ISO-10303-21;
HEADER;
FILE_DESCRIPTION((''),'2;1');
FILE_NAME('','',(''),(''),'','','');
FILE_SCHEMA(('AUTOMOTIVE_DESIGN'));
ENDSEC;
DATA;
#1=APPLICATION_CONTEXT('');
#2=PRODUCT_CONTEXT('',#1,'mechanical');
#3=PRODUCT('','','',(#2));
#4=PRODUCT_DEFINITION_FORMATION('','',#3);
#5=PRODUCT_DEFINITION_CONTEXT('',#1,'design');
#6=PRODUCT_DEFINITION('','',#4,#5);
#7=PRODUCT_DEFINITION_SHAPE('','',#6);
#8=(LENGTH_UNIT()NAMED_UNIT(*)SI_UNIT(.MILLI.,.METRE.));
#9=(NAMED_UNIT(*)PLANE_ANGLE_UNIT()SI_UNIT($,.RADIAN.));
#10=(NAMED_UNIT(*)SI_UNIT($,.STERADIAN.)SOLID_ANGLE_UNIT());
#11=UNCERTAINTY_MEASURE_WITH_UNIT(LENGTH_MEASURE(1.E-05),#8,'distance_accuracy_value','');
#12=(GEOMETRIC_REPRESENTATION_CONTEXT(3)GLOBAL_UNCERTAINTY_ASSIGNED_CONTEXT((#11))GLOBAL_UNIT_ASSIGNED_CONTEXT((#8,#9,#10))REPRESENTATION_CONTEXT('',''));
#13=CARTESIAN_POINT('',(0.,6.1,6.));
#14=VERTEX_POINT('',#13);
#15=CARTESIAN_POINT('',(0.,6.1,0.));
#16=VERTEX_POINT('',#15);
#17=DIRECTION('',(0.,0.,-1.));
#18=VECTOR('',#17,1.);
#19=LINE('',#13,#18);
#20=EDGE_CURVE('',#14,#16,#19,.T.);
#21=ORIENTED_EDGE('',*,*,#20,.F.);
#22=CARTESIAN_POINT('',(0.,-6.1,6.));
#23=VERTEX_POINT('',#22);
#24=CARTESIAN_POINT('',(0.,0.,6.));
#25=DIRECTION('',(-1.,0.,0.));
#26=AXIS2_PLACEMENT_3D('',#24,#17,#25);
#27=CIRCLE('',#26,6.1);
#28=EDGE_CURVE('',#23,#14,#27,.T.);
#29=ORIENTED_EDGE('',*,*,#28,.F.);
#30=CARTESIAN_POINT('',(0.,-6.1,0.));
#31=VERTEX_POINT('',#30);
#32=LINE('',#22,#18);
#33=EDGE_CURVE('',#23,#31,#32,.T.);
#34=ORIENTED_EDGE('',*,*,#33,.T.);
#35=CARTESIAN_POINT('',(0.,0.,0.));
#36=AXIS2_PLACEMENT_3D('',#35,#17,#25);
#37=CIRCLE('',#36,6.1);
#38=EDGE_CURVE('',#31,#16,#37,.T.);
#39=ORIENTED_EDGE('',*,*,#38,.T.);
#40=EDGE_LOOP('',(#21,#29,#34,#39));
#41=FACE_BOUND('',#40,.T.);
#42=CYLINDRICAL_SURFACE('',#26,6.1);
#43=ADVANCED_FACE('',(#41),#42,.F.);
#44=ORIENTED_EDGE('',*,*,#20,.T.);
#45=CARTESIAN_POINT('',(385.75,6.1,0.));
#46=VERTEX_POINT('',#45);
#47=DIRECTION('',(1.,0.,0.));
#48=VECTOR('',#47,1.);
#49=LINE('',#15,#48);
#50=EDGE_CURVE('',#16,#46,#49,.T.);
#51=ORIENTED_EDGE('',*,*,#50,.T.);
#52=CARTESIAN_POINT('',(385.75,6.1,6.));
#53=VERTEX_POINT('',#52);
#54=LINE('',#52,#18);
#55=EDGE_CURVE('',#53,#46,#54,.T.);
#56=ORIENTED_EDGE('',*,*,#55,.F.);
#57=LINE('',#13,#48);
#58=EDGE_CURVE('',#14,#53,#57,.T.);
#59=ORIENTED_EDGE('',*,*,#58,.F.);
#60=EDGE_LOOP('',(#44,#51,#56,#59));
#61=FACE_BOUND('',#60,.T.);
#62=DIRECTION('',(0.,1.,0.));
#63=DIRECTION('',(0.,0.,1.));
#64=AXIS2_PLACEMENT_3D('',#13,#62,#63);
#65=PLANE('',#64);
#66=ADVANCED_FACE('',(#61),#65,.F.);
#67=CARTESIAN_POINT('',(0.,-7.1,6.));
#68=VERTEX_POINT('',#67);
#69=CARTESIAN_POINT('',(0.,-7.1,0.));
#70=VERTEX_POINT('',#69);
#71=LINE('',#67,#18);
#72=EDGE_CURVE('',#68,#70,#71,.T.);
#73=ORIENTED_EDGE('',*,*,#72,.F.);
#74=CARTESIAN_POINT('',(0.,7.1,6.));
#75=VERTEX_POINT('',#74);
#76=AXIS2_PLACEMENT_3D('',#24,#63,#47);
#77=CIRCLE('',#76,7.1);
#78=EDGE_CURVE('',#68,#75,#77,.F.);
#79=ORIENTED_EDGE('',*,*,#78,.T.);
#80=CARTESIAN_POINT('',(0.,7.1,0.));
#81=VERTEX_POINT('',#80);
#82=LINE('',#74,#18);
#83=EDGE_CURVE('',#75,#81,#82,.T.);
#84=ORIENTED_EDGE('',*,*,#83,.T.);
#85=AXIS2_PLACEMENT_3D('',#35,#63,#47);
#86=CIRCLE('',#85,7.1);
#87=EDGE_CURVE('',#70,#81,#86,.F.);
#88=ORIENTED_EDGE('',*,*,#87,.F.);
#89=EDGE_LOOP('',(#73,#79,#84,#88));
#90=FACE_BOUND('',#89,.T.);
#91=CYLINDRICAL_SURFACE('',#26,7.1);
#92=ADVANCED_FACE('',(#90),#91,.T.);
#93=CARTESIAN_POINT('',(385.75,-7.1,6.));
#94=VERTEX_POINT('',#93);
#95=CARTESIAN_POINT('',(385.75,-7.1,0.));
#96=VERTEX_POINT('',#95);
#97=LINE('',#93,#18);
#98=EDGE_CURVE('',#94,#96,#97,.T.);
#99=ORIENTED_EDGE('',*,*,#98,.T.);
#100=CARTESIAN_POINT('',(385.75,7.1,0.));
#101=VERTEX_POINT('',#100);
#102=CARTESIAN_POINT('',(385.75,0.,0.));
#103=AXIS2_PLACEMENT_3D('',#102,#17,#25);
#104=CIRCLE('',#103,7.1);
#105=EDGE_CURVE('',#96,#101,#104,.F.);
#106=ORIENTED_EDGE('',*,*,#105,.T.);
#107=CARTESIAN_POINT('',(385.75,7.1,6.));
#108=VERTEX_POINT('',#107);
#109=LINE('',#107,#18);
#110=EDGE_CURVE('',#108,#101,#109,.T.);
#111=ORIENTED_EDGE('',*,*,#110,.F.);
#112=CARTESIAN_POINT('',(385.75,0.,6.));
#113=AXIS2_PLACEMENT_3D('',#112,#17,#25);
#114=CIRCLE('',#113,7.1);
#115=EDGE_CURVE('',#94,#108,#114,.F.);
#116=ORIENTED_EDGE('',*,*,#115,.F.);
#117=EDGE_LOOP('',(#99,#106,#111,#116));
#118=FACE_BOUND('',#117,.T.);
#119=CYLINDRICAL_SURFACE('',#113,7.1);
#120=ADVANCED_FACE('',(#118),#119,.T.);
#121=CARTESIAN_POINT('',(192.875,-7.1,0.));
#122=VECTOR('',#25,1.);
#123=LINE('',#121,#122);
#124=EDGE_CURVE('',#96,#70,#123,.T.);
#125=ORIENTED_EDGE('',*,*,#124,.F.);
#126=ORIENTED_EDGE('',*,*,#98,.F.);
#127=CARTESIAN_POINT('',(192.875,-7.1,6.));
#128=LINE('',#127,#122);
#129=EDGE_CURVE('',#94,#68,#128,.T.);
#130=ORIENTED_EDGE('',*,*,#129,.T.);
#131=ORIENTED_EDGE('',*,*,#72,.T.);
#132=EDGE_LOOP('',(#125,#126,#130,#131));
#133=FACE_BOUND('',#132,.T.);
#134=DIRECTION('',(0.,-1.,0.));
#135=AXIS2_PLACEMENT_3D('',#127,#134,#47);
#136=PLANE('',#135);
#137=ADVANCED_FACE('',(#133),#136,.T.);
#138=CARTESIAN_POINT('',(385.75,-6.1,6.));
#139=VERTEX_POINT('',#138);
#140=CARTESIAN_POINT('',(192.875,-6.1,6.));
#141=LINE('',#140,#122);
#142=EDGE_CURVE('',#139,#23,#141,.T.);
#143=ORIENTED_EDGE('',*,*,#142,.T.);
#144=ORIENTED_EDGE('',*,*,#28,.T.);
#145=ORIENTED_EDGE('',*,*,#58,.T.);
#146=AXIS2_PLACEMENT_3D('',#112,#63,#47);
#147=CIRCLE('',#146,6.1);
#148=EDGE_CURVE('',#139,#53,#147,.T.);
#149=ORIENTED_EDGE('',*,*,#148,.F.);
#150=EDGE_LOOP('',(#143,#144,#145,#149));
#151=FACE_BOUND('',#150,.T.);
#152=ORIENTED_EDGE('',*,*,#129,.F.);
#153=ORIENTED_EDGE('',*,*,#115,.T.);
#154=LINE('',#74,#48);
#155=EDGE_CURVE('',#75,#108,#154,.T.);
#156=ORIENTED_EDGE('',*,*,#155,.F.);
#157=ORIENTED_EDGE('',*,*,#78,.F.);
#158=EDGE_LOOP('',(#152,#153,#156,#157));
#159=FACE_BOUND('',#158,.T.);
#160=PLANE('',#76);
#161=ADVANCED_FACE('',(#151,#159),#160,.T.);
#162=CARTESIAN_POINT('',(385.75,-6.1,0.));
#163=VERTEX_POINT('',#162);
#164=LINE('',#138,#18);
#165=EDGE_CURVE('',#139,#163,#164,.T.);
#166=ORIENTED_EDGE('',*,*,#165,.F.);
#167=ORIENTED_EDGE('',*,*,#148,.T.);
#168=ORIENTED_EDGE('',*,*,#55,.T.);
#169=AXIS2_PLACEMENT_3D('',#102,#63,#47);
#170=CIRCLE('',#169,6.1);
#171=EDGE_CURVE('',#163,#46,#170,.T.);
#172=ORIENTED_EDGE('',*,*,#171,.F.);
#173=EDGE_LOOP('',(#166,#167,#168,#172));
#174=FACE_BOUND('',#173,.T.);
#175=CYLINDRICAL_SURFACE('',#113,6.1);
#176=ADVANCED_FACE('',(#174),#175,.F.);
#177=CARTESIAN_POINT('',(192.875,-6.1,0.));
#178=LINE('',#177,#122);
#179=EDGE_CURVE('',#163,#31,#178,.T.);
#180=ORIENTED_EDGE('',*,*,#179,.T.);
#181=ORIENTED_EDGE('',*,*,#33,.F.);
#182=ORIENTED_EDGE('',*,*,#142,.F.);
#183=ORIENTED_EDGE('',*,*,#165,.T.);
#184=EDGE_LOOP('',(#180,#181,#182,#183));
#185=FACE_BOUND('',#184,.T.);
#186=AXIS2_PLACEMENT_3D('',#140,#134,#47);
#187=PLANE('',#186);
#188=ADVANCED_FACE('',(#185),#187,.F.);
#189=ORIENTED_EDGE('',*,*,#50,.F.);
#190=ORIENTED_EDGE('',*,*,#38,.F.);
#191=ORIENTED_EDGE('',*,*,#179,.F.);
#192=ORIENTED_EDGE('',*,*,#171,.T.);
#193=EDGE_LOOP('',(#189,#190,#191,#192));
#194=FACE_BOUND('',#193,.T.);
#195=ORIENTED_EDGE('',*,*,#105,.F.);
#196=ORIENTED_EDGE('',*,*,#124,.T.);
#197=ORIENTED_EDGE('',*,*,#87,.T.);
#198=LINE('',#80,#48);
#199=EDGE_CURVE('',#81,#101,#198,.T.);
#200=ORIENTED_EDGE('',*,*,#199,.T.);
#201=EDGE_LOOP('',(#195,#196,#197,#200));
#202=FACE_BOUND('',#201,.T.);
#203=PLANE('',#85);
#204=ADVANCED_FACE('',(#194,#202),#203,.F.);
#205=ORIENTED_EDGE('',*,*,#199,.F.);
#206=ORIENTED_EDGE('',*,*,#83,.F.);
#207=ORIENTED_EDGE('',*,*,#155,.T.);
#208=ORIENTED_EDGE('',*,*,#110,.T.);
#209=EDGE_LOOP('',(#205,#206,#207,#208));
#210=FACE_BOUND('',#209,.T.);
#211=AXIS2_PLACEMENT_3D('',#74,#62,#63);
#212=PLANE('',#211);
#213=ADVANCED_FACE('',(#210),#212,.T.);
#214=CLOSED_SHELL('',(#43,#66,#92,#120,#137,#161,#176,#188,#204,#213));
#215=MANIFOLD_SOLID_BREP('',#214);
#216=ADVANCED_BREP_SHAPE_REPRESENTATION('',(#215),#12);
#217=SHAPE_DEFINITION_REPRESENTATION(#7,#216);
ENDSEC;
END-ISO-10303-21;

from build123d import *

# Parameters (mm, degrees)
EXTRUDE_THIN1_DEPTH = 6


with BuildPart() as part:
    # Sketch2 → Extrude-Thin1 (new body)
    with BuildSketch(Plane.XY):
        with BuildLine():
            Line((192.875, -6.1), (0, -6.1))
            ThreePointArc((0, -6.1), (-6.1, 0), (0, 6.1))
            Line((0, 6.1), (192.875, 6.1))
            Line((192.875, 6.1), (192.875, 7.1))
            Line((192.875, 7.1), (0, 7.1))
            ThreePointArc((0, 7.1), (-7.1, 0), (0, -7.1))
            Line((0, -7.1), (192.875, -7.1))
            Line((192.875, -7.1), (192.875, -6.1))
        make_face()
    extrude_thin1 = extrude(amount=EXTRUDE_THIN1_DEPTH)

    # Mirror1: Extrude-Thin1 across plane
    add(extrude_thin1.mirror(Plane(origin=(192.875, 7.1, 6), x_dir=(0, 0, 1), z_dir=(1, 0, 0))))


solid = part.part
